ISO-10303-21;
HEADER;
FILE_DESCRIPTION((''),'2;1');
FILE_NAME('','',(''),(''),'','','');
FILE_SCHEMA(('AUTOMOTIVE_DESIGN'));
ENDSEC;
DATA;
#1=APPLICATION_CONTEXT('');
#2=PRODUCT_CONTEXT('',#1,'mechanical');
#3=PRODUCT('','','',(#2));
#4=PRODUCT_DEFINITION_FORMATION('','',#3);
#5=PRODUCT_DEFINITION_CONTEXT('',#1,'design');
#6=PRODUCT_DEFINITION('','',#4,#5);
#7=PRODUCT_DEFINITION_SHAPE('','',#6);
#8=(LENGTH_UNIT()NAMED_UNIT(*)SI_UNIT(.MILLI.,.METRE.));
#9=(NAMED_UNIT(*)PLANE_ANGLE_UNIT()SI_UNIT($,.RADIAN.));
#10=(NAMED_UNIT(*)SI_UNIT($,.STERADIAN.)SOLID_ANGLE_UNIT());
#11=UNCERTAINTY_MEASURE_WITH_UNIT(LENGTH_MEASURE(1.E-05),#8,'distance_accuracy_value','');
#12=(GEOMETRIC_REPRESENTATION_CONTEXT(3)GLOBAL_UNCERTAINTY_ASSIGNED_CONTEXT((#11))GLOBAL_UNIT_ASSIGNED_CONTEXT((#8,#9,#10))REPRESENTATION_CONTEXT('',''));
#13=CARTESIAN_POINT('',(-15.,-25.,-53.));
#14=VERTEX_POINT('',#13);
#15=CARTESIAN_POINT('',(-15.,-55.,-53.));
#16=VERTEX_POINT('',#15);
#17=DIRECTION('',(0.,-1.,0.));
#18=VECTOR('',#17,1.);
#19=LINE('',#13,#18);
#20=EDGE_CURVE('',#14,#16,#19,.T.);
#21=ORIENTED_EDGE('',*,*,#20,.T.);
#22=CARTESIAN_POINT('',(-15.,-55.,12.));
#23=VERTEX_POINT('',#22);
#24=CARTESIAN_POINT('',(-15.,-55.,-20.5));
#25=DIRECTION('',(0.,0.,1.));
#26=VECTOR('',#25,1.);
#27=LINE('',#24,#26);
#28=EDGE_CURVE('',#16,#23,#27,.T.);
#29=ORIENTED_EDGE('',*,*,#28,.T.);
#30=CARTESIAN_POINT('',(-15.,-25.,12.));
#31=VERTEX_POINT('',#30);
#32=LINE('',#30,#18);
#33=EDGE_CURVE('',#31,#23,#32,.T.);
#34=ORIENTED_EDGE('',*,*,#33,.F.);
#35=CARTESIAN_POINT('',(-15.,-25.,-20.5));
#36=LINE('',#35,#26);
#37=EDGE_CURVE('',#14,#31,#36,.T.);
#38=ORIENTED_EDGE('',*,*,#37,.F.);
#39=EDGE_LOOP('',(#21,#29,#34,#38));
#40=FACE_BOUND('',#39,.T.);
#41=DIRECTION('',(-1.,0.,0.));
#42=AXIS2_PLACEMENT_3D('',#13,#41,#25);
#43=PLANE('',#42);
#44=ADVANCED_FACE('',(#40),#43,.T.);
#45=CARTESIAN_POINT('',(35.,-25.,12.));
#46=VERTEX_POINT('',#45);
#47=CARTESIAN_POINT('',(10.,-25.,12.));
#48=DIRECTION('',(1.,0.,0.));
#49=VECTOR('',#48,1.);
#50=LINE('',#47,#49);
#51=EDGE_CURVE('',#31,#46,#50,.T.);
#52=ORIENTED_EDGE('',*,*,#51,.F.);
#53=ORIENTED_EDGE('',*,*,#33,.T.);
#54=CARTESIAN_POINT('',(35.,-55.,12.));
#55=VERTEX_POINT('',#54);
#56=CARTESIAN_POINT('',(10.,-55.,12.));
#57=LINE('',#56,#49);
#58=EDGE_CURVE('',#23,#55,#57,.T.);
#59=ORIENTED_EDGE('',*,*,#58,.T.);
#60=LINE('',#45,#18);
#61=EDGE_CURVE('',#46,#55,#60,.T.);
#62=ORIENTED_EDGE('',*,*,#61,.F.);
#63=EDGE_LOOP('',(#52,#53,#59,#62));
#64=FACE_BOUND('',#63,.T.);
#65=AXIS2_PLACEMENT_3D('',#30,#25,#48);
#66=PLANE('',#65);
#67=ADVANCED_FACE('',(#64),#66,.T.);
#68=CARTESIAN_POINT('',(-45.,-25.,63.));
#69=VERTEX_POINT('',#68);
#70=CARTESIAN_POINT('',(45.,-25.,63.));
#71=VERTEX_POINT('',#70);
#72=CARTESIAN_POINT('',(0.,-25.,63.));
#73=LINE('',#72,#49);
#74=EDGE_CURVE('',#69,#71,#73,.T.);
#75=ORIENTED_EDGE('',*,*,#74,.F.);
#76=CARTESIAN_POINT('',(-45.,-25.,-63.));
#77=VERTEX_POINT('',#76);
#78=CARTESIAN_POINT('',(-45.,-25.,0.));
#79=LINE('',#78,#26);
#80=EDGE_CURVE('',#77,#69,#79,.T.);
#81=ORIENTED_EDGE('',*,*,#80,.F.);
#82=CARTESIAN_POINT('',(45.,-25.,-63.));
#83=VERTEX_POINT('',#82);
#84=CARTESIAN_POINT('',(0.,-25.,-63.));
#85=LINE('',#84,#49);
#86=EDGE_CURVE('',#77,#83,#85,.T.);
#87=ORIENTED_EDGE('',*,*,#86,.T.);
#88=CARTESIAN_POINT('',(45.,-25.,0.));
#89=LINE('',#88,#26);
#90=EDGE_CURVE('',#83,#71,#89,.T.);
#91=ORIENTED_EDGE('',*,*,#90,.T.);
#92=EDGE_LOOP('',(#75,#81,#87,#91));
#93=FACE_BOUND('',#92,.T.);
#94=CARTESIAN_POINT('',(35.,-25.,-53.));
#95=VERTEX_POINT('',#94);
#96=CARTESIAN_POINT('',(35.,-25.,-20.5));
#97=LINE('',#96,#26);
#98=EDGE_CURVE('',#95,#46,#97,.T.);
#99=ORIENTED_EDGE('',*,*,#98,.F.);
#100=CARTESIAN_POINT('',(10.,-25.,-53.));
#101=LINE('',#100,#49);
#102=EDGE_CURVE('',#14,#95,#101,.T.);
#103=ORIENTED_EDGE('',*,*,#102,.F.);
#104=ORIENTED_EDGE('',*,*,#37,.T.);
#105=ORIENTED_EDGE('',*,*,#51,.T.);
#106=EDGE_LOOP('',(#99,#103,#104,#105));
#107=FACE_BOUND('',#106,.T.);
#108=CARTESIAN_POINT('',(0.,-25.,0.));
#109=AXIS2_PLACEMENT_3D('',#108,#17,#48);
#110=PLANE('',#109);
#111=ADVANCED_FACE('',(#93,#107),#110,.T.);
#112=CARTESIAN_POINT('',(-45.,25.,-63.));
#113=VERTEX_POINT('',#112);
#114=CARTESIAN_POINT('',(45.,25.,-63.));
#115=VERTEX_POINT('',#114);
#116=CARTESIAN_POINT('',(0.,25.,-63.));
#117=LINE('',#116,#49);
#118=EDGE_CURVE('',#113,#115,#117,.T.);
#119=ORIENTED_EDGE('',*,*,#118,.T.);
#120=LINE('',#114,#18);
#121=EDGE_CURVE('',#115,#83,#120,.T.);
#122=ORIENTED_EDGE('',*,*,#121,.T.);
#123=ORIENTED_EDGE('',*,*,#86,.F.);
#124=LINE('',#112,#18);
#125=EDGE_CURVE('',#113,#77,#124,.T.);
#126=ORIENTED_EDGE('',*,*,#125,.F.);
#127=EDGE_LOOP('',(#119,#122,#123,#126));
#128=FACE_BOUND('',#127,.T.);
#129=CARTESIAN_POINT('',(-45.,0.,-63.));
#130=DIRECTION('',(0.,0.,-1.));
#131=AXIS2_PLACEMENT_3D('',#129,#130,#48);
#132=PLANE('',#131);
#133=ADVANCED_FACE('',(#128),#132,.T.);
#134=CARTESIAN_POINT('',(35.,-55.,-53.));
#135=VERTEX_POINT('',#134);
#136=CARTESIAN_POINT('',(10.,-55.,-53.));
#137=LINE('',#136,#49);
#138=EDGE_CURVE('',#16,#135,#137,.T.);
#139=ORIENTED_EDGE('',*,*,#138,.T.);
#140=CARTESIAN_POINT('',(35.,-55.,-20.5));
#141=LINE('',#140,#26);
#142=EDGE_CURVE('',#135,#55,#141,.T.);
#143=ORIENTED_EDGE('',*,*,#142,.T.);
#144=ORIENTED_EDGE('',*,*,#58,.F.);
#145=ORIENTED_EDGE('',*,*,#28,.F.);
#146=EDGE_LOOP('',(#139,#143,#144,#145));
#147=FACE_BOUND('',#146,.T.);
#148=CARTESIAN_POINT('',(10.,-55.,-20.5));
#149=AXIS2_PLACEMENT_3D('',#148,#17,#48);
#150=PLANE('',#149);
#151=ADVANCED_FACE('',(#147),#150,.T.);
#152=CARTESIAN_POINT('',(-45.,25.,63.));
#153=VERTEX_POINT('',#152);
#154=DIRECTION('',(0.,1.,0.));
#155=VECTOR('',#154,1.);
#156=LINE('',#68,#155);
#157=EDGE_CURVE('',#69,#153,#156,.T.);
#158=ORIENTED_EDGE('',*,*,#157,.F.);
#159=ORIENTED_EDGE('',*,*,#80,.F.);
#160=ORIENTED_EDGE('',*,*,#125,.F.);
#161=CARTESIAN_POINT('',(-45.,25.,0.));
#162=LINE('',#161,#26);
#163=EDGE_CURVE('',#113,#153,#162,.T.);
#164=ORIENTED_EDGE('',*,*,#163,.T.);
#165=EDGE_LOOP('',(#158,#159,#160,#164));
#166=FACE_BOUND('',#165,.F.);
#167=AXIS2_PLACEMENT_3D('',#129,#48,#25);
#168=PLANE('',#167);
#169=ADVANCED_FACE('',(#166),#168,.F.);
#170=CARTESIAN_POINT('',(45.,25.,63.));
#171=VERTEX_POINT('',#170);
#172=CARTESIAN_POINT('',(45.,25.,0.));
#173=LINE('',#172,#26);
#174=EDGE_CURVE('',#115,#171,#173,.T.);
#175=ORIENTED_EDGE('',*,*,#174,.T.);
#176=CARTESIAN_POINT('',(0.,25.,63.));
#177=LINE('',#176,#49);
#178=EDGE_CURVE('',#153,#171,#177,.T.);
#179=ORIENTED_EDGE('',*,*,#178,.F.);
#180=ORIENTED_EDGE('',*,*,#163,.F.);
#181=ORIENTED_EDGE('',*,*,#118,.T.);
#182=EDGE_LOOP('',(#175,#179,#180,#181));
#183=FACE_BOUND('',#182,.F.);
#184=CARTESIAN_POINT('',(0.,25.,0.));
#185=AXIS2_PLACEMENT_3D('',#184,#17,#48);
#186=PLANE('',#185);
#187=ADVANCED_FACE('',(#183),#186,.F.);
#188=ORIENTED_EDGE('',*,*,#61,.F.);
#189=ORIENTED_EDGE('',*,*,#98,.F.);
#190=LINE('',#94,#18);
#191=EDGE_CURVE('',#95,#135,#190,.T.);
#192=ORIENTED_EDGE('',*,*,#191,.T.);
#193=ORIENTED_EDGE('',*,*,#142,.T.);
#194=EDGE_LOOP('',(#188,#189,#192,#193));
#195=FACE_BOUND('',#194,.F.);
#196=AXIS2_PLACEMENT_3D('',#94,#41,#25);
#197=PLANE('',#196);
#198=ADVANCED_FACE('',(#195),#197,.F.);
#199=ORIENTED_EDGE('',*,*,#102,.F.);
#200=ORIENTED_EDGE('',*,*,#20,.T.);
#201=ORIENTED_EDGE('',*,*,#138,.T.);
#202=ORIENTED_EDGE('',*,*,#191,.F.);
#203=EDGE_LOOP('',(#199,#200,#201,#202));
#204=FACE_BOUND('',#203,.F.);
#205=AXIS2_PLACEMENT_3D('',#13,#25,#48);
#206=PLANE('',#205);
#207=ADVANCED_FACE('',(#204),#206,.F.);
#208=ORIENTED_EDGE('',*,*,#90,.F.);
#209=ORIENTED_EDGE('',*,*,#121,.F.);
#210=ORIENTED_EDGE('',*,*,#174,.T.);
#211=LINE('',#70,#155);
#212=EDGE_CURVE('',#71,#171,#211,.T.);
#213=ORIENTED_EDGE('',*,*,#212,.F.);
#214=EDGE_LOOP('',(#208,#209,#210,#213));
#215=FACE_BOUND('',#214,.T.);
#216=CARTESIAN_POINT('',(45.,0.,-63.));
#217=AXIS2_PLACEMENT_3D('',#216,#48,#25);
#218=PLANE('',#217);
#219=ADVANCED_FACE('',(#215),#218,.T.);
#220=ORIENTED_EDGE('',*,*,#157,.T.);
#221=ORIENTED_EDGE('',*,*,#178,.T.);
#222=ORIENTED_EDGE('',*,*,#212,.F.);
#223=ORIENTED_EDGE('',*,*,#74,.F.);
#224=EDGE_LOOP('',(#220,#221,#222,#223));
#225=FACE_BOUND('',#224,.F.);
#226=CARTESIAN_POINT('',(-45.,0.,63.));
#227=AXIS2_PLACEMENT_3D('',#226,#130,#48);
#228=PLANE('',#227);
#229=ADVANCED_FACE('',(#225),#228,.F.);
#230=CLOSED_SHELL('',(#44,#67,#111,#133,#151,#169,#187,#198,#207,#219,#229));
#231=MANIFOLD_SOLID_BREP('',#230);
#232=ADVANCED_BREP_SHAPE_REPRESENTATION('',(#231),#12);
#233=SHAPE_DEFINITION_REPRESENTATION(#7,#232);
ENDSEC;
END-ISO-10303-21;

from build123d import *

# Parameters (mm, degrees)
F0_W     = 90
F0_H     = 126
F1_DEPTH = 25
F2_W     = 50
F2_H     = 65
F3_DEPTH = 30


with BuildPart() as f1:
    # F0 (on Front) → F1 (new body, symmetric)
    with BuildSketch(Plane.XZ):
        Rectangle(F0_W, F0_H)
    extrude(amount=F1_DEPTH, both=True)

    # F2 (on face) → F3 (join)
    with BuildSketch(Plane.XZ.offset(25)):
        with Locations((10, -20.5)):
            Rectangle(F2_W, F2_H)
    extrude(amount=F3_DEPTH)


solid = f1.part
